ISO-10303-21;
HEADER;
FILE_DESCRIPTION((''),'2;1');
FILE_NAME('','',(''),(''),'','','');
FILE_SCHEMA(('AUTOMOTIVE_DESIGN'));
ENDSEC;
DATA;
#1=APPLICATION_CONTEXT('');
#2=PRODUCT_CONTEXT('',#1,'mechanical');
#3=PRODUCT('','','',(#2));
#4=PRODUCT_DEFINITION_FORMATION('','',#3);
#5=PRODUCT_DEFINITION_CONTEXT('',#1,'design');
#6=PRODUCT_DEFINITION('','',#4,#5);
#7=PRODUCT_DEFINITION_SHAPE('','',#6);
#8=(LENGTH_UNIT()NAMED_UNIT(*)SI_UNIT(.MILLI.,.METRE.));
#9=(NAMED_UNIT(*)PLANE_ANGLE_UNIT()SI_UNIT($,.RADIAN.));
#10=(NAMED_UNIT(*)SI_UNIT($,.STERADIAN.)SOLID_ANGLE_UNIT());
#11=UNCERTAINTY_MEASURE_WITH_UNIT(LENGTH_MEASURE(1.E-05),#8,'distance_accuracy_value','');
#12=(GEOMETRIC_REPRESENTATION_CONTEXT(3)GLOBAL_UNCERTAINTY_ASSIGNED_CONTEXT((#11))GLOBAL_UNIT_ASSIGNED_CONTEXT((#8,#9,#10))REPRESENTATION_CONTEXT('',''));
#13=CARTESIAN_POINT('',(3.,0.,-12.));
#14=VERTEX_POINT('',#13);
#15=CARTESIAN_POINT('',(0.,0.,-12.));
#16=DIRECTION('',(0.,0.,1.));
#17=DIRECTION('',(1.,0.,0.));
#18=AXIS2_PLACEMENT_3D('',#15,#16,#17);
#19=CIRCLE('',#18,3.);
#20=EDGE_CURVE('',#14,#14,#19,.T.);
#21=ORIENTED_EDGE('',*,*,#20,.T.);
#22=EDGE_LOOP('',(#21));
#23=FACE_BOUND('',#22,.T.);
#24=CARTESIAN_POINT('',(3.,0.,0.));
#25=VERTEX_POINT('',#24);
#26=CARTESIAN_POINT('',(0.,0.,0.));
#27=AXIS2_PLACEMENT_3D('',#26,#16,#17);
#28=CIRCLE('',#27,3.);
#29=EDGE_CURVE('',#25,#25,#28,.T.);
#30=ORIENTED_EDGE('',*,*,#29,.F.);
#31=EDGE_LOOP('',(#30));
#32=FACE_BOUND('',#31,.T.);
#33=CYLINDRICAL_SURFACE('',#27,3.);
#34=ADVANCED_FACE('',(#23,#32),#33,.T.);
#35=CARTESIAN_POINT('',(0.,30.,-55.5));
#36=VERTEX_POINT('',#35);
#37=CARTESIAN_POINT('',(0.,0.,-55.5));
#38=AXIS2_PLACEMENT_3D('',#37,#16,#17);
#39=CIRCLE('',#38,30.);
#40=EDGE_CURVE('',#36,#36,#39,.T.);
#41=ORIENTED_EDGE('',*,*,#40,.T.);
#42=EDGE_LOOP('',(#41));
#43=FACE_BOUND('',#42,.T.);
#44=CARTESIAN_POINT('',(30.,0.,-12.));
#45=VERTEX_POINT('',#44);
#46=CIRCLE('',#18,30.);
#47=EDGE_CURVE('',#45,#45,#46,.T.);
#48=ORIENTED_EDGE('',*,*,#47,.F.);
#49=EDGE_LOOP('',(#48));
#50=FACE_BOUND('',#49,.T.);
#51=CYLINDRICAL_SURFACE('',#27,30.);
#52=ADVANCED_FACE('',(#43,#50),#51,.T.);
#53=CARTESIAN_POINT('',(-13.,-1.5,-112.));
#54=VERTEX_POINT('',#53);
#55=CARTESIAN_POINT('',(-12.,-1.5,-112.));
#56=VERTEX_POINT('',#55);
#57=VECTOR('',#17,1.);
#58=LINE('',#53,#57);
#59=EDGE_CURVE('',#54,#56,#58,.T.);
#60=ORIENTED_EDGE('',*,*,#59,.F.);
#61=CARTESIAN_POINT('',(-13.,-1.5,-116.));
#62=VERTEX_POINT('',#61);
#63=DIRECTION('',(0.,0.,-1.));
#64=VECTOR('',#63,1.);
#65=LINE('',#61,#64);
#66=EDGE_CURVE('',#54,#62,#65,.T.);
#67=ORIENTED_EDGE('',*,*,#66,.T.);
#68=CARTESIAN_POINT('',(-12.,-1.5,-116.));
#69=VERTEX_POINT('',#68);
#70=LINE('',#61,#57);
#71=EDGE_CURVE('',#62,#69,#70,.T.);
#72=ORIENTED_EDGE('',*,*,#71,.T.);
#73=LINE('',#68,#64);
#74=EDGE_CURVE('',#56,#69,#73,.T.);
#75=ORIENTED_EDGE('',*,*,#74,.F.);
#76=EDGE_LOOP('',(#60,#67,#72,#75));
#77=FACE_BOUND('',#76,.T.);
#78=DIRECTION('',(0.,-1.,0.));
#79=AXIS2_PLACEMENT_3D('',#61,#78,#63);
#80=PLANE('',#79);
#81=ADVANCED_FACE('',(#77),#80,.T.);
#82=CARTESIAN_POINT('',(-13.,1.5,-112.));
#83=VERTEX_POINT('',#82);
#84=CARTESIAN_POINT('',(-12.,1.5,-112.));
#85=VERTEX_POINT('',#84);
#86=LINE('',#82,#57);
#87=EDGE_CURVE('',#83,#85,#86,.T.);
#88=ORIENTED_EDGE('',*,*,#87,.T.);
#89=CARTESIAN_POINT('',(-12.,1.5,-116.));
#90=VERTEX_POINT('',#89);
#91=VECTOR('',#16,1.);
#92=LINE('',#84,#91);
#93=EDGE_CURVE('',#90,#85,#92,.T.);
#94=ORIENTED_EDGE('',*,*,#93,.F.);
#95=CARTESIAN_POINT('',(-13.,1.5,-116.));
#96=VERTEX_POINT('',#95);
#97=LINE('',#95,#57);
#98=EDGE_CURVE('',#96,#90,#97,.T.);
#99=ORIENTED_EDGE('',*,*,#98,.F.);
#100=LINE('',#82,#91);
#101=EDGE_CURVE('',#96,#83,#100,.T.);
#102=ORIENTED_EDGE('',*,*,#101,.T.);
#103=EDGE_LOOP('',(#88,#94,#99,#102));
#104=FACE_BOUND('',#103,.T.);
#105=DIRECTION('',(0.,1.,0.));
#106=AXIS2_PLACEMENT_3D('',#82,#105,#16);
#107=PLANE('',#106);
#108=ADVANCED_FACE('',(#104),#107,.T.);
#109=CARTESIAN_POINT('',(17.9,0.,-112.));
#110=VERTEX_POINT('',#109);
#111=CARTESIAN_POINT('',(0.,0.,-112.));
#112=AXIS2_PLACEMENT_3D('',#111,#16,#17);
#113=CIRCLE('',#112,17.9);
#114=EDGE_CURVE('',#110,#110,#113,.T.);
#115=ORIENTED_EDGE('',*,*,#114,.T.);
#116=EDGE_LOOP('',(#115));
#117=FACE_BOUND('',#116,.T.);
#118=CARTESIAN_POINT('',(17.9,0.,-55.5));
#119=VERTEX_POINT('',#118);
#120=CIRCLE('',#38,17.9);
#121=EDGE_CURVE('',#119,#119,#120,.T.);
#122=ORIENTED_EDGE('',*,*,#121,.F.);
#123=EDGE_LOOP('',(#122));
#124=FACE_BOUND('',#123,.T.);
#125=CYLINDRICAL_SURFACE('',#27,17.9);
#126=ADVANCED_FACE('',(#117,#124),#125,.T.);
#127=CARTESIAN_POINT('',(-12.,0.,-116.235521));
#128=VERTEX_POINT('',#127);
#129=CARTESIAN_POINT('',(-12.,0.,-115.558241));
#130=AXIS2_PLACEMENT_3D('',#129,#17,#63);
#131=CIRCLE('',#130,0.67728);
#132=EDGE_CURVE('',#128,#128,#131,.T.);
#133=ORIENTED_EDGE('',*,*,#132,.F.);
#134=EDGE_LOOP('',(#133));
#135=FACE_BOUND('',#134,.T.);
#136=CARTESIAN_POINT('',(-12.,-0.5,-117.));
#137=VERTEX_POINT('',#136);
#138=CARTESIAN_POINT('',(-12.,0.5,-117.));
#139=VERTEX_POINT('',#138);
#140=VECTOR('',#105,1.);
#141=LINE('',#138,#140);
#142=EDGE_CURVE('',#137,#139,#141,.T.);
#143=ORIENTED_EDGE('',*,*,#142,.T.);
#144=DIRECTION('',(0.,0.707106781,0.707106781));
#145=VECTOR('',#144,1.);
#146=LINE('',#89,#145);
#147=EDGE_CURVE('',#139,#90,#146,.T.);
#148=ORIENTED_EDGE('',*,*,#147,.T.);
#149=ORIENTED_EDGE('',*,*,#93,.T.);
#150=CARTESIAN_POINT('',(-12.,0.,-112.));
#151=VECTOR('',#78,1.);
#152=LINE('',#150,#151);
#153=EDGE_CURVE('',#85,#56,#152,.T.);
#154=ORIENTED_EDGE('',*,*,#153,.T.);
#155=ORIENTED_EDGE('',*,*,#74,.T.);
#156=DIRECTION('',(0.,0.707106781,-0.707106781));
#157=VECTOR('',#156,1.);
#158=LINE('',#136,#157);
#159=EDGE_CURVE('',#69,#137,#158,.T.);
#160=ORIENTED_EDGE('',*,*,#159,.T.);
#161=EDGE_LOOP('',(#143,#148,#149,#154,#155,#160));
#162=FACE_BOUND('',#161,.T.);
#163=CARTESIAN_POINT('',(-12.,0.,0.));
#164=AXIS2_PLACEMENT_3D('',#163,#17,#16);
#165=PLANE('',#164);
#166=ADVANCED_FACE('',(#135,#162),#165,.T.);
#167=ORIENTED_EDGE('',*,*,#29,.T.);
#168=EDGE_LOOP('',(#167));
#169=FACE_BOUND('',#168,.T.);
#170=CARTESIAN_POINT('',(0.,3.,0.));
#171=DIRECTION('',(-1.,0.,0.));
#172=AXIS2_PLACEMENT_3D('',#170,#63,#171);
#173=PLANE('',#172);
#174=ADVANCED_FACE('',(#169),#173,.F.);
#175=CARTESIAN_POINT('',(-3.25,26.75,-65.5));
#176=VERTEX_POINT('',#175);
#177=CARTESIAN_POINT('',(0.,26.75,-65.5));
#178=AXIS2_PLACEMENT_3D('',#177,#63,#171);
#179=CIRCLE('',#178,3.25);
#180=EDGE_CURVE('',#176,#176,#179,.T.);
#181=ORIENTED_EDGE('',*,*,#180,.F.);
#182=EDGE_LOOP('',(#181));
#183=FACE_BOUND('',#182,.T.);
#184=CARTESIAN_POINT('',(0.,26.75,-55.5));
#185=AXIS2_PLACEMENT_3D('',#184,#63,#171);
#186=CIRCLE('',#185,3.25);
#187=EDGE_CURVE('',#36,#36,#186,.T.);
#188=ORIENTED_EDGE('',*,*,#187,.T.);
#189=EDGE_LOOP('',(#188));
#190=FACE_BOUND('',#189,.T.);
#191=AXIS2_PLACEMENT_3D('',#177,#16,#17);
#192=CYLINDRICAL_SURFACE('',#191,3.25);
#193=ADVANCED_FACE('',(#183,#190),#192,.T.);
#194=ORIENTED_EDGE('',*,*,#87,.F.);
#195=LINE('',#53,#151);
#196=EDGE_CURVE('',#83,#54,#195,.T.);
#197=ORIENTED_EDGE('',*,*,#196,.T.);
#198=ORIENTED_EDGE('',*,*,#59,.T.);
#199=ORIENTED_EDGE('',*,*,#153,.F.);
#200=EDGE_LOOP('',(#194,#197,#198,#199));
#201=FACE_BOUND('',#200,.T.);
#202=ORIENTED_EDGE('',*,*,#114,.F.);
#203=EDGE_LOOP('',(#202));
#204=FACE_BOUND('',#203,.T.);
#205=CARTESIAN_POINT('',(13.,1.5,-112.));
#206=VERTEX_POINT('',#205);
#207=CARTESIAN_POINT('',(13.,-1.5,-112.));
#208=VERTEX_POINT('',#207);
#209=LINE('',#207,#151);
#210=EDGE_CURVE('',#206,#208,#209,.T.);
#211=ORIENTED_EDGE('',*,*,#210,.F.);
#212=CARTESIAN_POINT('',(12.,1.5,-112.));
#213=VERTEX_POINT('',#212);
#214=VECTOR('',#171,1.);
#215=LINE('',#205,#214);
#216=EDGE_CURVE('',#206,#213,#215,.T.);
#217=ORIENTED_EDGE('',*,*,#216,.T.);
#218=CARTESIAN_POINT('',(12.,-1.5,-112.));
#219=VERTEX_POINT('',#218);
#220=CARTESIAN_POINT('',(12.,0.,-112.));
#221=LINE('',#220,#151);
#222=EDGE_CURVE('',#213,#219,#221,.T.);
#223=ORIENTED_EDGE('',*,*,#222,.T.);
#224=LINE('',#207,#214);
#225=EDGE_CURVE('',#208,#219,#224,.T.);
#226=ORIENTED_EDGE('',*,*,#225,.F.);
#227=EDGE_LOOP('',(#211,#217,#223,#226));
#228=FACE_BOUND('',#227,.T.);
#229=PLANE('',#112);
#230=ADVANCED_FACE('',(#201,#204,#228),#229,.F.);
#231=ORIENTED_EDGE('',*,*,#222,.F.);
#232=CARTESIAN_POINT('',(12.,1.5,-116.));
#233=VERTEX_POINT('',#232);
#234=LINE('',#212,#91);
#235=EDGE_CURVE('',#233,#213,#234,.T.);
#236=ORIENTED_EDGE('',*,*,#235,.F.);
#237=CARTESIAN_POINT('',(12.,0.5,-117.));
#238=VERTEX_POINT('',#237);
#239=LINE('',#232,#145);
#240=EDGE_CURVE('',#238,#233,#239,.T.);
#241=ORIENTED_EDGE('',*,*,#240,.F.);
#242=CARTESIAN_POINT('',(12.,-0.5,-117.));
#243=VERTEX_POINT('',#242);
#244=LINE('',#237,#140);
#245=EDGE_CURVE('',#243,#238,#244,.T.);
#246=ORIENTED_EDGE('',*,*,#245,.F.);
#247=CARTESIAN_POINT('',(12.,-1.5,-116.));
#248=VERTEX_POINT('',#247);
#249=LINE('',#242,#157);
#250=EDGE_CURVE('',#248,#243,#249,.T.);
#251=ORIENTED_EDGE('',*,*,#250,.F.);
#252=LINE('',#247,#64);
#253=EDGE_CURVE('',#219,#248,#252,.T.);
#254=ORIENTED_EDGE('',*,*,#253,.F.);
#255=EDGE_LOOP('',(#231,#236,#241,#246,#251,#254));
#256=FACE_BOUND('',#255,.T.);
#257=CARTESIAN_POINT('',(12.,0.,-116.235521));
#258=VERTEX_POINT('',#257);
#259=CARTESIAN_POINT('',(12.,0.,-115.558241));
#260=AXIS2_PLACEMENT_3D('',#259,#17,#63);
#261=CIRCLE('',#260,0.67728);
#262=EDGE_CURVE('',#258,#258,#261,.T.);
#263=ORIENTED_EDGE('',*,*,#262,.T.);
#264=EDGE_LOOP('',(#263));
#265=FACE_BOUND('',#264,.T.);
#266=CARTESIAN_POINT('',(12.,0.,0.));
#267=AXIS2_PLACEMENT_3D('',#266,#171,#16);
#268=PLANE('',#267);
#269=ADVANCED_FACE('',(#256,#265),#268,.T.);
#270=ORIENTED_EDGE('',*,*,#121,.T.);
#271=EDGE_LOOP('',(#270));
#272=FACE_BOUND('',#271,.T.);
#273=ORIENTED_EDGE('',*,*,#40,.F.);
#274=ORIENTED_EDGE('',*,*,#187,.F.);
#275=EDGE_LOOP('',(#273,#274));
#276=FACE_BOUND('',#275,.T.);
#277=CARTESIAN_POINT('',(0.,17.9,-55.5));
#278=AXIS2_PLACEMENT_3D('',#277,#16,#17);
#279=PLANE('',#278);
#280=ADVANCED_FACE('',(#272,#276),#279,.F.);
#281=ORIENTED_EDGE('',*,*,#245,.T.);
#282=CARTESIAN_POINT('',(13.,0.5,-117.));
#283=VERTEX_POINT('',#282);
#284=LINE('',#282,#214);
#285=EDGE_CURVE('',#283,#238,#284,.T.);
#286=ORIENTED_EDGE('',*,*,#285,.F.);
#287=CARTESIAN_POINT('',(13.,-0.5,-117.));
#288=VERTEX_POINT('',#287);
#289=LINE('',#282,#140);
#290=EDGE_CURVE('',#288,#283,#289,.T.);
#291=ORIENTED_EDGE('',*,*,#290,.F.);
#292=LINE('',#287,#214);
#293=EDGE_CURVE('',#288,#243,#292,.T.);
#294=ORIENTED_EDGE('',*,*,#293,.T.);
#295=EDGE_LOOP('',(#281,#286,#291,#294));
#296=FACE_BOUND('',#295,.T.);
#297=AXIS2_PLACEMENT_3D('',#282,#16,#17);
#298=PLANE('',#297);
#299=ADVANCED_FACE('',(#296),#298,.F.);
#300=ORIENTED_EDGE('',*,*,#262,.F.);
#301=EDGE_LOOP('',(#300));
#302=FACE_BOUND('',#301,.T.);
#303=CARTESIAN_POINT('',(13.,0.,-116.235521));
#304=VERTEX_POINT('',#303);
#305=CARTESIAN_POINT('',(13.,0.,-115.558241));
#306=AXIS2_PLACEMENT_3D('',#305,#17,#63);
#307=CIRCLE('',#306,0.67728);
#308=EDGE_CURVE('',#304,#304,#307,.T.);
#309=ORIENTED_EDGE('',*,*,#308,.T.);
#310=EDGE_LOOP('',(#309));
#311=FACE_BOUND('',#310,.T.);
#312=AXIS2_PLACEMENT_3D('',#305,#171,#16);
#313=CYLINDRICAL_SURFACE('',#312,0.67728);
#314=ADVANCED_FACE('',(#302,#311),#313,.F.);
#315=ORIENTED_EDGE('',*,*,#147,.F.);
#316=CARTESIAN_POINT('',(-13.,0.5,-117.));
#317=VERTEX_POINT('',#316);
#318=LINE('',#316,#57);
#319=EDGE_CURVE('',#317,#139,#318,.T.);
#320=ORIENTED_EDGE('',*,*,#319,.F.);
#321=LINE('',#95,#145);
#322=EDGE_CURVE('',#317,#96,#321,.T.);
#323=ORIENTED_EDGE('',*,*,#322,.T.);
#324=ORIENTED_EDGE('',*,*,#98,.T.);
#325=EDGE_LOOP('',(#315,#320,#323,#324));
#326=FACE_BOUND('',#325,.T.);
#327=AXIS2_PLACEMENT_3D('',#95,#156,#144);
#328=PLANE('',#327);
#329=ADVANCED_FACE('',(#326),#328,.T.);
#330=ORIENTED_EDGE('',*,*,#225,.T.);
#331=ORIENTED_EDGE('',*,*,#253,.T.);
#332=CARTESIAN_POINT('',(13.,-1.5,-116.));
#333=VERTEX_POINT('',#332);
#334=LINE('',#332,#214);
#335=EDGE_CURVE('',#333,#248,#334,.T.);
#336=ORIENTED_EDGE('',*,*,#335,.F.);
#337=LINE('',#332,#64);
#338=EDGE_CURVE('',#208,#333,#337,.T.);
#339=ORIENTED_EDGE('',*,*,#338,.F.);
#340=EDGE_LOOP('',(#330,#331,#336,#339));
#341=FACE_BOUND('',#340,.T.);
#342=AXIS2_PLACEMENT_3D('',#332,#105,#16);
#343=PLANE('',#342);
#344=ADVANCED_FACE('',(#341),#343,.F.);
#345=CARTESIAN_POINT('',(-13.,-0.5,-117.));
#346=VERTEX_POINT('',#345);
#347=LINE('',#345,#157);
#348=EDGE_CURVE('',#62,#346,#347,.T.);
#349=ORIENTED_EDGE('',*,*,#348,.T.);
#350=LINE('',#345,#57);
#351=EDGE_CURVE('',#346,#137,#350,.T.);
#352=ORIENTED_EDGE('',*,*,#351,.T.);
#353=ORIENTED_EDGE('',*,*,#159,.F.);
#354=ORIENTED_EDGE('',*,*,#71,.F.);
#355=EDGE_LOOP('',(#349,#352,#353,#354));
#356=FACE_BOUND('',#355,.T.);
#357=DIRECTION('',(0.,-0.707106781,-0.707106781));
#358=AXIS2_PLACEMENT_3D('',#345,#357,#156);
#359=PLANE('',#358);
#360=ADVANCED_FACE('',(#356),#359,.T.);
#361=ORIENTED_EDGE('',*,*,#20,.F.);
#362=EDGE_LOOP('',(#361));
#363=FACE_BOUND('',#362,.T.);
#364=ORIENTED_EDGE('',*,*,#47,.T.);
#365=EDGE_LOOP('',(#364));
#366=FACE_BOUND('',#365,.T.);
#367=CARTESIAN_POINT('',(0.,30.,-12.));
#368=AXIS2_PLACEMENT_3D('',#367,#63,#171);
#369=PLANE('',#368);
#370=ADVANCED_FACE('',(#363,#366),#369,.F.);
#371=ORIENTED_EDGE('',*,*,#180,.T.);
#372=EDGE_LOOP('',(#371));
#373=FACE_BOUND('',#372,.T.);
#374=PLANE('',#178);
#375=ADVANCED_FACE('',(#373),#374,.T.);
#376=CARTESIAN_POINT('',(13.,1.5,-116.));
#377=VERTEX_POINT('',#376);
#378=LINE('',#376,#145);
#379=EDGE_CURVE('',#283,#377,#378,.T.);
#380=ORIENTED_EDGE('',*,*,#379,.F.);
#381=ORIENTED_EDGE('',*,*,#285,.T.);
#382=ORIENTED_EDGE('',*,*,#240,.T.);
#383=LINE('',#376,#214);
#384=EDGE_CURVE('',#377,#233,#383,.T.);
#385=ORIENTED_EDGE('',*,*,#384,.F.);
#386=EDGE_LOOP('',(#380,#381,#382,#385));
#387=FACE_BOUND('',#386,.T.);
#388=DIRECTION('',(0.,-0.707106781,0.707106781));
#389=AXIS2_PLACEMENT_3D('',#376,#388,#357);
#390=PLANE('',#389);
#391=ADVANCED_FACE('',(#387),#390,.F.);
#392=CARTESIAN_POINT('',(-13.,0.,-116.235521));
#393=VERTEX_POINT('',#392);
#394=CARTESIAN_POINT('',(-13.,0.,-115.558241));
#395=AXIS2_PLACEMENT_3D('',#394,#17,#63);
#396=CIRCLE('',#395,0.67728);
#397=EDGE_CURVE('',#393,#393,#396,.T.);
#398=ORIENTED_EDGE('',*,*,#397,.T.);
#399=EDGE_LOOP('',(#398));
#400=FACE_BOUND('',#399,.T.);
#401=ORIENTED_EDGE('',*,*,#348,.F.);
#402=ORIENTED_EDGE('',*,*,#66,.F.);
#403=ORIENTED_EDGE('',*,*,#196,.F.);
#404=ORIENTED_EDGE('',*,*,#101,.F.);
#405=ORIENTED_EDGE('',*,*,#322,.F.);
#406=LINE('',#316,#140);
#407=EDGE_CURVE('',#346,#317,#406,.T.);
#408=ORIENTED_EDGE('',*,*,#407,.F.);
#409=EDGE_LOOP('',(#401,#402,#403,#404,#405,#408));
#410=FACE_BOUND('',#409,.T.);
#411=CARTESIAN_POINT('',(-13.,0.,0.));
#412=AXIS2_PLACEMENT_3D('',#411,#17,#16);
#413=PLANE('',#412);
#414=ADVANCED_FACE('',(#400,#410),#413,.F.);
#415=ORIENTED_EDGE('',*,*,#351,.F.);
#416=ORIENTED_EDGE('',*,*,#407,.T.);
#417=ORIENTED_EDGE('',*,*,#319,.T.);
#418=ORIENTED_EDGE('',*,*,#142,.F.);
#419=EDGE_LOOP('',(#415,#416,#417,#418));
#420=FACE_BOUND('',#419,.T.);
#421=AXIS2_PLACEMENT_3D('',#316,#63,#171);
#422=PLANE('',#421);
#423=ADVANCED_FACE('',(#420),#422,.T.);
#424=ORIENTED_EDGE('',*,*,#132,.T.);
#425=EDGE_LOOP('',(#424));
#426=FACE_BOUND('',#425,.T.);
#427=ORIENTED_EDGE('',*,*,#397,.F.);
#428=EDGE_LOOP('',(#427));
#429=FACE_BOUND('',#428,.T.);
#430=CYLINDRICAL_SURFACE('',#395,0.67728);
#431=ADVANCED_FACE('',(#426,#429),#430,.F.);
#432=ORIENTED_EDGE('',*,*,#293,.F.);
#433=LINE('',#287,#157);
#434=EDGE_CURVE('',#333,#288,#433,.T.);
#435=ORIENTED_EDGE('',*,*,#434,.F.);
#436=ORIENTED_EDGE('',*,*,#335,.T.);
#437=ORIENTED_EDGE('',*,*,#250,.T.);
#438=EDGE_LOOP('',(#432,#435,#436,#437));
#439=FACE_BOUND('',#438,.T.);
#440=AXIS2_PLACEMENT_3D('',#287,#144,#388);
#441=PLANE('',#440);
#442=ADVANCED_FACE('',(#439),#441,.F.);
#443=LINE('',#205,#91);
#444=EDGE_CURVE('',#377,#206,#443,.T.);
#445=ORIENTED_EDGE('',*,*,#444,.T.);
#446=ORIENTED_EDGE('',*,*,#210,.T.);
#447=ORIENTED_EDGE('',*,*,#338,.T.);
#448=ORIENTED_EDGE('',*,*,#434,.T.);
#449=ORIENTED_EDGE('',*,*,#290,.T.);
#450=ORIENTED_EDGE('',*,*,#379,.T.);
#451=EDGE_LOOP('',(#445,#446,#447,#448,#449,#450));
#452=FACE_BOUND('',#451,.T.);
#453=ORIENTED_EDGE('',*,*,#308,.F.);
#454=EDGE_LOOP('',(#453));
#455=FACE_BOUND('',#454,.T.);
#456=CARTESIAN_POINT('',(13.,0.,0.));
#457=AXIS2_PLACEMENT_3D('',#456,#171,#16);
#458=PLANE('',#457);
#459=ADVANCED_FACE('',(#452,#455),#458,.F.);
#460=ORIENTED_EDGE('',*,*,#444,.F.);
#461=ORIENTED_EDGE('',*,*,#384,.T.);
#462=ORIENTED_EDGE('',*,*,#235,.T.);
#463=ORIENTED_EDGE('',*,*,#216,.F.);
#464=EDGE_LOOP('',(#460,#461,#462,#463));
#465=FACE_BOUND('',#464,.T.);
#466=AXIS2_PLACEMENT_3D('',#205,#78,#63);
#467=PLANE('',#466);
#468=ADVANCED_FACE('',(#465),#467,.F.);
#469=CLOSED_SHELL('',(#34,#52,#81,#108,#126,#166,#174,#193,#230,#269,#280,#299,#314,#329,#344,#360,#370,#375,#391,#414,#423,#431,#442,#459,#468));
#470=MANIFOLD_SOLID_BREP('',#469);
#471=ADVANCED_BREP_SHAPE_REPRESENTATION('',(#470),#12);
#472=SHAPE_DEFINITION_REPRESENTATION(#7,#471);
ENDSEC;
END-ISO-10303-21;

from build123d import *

# Parameters (mm, degrees)
SKETCH_5_R      = 3.25
EXTRUDE_1_DEPTH = 10
EXTRUDE_START   = 12
SKETCH_7_R      = 0.677279549
EXTRUDE_2_DEPTH = 1


with BuildPart() as part:
    # 草图4 → 旋转1 (revolve)
    with BuildSketch(Plane(origin=(0, 0, 0), x_dir=(0, 0, -1), z_dir=(1, 0, 0)), mode=Mode.PRIVATE) as revolve_1_sk:
        Polygon((0, 0), (112, 0), (112, 17.9), (55.5, 17.9), (55.5, 30), (12, 30), (12, 3), (0, 3), align=None)
    revolve(revolve_1_sk.sketch.rotate(Axis((0, 0, 0), (0, 0, -1)), 90), axis=Axis((0, 0, 0), (0, 0, -1)))

    # 草图5 → 凸台-拉伸1 (add)
    with BuildSketch(Plane(origin=(0, 0, -55.5), x_dir=(-1, 0, 0), z_dir=(0, 0, -1))):
        with Locations(Location((0, 26.75, 0), (0, 0, 90))):
            Circle(SKETCH_5_R)
    extrude(amount=EXTRUDE_1_DEPTH)

    # 草图7 → 凸台-拉伸2 (add)
    with BuildSketch(Plane(origin=(0, 0, 0), x_dir=(0, 0, -1), z_dir=(1, 0, 0)).offset(EXTRUDE_START)):
        Polygon((112, 0), (112, 1.5), (116, 1.5), (117, 0.5), (117, -0.5), (116, -1.5), (112, -1.5), align=None)
        with Locations((115.558241223, 0)):
            Circle(SKETCH_7_R, mode=Mode.SUBTRACT)
    extrude_2 = extrude(amount=EXTRUDE_2_DEPTH)

    # 镜向1: 凸台-拉伸2 across plane
    add(extrude_2.mirror(Plane(origin=(0, 0, 0), x_dir=(0, 0, 1), z_dir=(1, 0, 0))))


solid = part.part
